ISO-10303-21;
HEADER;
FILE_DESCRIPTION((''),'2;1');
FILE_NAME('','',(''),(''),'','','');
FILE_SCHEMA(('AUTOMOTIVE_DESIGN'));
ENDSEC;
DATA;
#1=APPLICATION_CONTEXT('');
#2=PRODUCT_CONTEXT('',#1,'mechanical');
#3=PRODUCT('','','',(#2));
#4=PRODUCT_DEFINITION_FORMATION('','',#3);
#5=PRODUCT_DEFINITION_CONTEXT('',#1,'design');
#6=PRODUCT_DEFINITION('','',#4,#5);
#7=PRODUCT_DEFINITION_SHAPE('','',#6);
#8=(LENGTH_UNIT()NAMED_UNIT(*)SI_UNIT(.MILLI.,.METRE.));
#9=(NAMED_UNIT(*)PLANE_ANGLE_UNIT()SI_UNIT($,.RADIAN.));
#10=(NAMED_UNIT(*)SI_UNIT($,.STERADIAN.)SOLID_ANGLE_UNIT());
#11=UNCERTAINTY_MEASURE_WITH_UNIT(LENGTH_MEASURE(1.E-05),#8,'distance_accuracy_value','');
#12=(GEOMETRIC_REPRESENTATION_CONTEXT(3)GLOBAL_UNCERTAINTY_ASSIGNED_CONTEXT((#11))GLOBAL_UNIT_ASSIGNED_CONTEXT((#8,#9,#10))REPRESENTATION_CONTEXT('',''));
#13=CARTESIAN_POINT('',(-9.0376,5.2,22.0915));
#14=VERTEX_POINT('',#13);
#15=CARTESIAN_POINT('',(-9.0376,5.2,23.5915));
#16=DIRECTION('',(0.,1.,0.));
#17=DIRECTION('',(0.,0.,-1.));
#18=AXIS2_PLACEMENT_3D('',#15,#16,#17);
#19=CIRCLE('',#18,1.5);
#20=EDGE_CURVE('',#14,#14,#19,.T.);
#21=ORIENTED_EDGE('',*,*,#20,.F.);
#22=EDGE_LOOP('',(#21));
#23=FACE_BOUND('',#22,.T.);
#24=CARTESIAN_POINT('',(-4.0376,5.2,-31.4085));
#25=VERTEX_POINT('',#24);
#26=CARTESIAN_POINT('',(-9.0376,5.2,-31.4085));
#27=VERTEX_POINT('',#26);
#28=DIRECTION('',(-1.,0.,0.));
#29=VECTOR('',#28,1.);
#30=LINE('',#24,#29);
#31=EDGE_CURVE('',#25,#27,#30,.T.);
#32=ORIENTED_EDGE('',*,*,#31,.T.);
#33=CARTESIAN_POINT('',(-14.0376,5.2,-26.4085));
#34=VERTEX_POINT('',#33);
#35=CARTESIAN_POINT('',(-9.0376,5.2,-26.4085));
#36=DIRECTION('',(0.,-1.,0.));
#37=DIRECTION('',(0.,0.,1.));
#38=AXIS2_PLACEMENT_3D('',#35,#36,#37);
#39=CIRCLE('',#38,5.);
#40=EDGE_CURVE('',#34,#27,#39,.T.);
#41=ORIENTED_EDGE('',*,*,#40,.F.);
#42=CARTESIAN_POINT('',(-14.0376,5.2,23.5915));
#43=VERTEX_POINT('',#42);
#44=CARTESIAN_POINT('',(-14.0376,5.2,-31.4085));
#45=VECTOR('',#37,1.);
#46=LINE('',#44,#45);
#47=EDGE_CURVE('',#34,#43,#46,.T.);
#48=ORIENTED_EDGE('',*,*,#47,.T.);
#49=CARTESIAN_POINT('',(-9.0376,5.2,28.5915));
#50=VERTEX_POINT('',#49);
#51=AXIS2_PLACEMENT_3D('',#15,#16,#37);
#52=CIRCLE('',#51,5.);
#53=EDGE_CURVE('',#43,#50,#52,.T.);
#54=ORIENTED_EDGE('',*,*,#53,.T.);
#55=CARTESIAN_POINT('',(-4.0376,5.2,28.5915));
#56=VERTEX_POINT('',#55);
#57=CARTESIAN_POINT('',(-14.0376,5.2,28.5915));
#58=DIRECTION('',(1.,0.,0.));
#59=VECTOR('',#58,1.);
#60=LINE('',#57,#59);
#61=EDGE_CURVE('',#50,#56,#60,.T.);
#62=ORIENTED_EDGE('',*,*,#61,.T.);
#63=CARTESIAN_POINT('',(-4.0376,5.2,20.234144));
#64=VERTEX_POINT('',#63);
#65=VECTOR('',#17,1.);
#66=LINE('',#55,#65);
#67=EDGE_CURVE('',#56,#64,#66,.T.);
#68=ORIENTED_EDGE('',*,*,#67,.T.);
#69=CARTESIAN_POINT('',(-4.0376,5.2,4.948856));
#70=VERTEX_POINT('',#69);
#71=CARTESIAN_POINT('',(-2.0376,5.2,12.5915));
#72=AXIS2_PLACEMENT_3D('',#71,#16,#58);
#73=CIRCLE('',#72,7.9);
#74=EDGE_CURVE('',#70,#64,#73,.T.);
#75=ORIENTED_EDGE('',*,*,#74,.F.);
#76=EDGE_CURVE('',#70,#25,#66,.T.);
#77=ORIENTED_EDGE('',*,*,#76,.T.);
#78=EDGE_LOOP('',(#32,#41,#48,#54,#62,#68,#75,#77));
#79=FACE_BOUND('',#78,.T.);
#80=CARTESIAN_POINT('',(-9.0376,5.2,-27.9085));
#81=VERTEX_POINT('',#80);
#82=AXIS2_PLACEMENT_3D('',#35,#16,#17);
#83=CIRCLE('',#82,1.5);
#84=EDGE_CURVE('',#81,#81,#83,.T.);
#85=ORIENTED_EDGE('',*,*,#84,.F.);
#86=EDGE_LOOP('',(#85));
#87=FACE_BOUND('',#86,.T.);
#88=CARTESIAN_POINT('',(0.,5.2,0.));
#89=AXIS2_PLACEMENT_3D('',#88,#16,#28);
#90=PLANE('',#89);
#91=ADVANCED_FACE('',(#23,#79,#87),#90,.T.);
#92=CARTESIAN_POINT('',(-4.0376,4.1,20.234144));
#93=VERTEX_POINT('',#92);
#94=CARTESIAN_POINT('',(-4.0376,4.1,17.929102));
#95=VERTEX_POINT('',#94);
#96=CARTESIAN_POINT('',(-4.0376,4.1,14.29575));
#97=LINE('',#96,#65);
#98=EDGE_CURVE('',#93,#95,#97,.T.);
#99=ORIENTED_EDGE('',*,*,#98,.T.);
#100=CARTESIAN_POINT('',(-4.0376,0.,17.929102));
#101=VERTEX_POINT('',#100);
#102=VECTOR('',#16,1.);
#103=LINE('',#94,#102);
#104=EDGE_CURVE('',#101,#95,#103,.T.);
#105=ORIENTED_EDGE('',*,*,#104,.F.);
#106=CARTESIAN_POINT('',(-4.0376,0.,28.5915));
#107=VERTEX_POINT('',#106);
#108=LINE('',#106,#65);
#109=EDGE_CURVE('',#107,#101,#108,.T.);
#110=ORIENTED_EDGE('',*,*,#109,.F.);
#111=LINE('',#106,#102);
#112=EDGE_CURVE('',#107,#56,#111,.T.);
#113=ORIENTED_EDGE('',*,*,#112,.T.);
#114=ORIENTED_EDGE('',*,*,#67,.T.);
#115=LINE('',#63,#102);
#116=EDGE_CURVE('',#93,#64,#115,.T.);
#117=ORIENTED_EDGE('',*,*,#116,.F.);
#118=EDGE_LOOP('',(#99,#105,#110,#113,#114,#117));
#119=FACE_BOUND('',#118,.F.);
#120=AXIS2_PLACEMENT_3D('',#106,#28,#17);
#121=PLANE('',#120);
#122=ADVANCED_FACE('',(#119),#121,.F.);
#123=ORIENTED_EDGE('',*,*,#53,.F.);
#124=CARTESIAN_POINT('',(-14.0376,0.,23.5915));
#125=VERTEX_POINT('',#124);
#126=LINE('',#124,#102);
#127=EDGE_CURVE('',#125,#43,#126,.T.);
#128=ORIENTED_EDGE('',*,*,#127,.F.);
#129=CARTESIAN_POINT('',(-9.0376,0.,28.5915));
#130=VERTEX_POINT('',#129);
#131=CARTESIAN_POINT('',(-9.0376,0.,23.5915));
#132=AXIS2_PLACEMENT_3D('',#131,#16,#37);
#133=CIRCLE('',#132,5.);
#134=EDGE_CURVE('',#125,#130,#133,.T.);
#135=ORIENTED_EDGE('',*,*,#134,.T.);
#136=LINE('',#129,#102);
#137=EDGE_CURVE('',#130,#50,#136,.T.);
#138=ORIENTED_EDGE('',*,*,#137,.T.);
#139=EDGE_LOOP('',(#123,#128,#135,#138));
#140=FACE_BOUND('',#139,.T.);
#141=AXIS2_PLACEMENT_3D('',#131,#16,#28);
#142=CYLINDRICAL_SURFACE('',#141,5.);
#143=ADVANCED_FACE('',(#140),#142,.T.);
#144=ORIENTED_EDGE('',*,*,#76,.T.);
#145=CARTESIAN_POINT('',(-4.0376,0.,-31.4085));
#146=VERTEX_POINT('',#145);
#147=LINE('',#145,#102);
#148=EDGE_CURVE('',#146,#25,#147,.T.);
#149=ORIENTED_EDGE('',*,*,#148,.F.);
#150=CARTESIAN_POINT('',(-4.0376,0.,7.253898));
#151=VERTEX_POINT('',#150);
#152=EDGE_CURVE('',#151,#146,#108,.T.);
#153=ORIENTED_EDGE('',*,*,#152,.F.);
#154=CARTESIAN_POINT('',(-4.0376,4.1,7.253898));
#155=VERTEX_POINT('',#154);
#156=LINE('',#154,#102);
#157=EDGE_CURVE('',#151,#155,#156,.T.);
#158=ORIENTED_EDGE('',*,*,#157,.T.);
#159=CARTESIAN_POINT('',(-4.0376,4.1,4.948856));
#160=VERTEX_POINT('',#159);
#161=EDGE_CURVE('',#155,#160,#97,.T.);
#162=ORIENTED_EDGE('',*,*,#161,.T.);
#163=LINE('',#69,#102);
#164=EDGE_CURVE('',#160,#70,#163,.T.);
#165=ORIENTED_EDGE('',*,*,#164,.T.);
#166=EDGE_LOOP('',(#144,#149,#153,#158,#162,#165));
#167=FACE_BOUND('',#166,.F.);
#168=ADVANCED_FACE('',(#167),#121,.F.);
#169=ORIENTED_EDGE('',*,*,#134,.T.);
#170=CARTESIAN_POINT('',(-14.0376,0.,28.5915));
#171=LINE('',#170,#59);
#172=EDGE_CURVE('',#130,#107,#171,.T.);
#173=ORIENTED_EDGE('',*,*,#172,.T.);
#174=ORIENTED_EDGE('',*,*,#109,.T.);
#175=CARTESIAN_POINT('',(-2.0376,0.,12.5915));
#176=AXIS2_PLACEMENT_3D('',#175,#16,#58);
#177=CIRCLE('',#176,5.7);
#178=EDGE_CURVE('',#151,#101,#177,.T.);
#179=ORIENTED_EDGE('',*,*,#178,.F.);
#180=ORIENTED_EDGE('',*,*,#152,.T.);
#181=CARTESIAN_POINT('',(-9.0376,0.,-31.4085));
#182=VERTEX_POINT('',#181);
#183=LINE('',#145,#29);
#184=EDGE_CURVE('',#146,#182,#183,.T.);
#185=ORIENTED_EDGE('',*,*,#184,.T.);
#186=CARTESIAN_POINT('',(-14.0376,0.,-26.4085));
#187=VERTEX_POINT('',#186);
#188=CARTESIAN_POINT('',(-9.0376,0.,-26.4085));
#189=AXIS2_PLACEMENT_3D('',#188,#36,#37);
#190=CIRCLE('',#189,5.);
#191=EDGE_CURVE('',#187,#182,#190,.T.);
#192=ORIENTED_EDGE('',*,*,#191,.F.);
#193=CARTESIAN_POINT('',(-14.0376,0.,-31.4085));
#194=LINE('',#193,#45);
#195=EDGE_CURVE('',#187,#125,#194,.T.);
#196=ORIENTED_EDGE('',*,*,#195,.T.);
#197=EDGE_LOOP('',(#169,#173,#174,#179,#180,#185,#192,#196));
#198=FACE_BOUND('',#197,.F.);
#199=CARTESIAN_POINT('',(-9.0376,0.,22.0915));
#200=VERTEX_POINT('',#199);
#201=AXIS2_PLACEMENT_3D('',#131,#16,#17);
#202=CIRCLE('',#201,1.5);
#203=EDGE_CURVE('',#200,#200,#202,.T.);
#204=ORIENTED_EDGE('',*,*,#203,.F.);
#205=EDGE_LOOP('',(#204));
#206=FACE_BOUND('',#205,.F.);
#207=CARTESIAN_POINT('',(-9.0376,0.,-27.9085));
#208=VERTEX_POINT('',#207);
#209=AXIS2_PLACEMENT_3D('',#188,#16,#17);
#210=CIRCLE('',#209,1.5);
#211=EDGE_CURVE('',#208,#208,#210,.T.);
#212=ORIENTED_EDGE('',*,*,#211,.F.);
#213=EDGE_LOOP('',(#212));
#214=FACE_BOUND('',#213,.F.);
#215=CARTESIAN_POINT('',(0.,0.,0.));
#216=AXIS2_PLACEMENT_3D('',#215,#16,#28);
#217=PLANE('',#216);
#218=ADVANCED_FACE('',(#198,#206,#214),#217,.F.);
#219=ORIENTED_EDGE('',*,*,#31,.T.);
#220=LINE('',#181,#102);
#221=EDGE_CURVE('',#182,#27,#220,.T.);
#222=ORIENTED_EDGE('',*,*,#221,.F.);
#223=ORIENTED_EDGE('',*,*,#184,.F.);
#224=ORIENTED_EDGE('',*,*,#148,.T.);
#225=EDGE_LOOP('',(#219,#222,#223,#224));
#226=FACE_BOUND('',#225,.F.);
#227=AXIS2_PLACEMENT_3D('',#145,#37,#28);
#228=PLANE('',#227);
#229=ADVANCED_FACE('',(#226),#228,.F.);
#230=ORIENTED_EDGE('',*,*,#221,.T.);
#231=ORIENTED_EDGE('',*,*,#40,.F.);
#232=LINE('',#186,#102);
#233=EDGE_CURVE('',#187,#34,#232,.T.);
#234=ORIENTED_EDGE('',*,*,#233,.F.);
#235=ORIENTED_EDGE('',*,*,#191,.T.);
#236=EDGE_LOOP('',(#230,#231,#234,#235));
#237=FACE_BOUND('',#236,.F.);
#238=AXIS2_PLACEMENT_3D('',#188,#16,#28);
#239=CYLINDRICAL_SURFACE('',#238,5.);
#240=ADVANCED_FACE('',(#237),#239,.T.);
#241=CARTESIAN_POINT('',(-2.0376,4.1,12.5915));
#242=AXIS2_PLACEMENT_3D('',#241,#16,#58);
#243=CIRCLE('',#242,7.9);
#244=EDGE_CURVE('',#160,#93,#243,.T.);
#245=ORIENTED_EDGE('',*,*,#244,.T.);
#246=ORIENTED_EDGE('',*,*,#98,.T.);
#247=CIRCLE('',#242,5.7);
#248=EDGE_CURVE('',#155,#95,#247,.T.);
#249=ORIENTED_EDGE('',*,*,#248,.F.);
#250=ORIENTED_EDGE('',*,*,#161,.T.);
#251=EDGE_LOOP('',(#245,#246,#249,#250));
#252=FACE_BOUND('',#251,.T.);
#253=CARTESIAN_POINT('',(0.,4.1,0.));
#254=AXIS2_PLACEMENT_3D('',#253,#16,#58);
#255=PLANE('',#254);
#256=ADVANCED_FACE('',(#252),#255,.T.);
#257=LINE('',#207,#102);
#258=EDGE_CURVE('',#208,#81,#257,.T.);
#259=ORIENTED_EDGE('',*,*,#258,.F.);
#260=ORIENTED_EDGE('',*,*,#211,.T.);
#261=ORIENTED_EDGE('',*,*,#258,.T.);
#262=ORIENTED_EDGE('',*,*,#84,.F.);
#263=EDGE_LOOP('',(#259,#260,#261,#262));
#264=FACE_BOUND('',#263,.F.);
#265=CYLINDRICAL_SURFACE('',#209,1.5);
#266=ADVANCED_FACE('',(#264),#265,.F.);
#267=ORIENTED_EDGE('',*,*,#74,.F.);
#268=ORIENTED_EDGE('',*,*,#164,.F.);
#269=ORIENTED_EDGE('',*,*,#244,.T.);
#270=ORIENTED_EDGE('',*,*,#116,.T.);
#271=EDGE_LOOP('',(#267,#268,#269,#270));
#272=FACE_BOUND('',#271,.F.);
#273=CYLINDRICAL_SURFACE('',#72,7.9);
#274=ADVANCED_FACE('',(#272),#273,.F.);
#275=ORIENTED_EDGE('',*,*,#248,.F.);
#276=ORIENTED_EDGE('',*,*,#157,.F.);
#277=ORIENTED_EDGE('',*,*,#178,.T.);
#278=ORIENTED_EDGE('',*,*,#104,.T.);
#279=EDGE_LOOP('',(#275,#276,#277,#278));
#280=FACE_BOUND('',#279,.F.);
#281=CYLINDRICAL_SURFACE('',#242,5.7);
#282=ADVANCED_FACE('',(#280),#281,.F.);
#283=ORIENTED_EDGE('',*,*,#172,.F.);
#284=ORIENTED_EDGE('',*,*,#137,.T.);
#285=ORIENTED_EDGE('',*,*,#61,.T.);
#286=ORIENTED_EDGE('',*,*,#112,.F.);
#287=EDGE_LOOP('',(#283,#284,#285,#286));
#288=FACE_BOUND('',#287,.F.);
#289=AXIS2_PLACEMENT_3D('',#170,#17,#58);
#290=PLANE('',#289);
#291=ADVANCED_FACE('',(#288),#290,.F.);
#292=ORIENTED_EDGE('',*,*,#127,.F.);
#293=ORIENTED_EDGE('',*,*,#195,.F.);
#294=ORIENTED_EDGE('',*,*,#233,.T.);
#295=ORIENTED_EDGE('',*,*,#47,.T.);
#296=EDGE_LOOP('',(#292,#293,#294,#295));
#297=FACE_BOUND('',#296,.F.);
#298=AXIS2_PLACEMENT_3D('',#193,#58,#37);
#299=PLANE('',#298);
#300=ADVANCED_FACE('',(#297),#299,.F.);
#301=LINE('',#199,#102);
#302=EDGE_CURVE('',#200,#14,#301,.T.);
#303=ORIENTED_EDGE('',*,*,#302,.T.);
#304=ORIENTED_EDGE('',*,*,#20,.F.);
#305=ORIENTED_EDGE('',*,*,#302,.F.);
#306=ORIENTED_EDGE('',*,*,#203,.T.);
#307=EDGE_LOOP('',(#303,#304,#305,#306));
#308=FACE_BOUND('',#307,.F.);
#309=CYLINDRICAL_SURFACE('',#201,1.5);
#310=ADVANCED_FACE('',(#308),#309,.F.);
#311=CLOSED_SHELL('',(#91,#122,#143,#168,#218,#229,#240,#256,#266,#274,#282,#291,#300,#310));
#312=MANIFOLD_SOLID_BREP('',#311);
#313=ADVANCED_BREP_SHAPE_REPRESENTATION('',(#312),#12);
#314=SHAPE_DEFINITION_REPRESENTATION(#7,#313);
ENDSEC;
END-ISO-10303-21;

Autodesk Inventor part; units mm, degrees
ref_plane "YZ Plane" through (0, 0, 0) normal (1, 0, 0) x (0, 1, 0)
ref_plane "XZ Plane" through (0, 0, 0) normal (0, 1, 0) x (-1, 0, 0)
ref_plane "XY Plane" through (0, 0, 0) normal (0, 0, 1) x (1, 0, 0)
sketch "Sketch1" plane through (0, 0, 0) normal (0, 1, 0) x (-1, 0, 0)
  line L0 (14.0376, 28.5915) -> (4.0376, 28.5915)
  line L1 (4.0376, 28.5915) -> (4.0376, -31.4085)
  line L2 (4.0376, -31.4085) -> (14.0376, -31.4085)
  line L3 (14.0376, -31.4085) -> (14.0376, 28.5915)
  point P0 (0, 0)
  dimension "d0" = 60
  dimension "d1" = 10
extrude "Extrusion1" add sketch "Sketch1" along normal blind 5.2
sketch "Sketch2" plane through (0, 0, 0) normal (0, -1, 0) x (1, 0, 0)
  arc A0 (-14.0376, -26.4085) -> (-9.0376, -31.4085) centre (-9.0376, -26.4085) ccw projected
  arc A1 (-9.0376, 28.5915) -> (-14.0376, 23.5915) centre (-9.0376, 23.5915) ccw projected
  circle A2 centre (-9.0376, -26.4085) radius 1.5 projected
  circle A3 centre (-9.0376, 23.5915) radius 1.5 projected
  point P0 (0, 0)
fillet "Fillet1" radius 5 2 edges at (-14.0376, 2.6, -31.4085) (-14.0376, 2.6, 28.5915)
hole "Hole1" at (-9.0376, 0, -26.4085) at (-9.0376, 0, 23.5915) direction (0, 1, 0) diameter 3 end through all
sketch "Sketch3" plane through (0, 5.2, 0) normal (0, 1, 0) x (1, 0, 0)
  circle A0 centre (-2.0376, -12.5915) radius 7.9 projected
  point P0 (0, 0)
extrude "Extrusion2" cut sketch "Sketch3" against normal blind 1.1
sketch "Sketch4" plane through (0, 4.1, 0) normal (0, 1, 0) x (1, 0, 0)
  circle A0 centre (-2.0376, -12.5915) radius 4.5 projected
  circle A1 centre (24.4624, -12.0915) radius 6 projected
  circle A2 centre (24.4624, 14.9085) radius 6 projected
  circle A3 centre (-2.0376, 15.4085) radius 4.5 projected
  circle A4 centre (30.9624, -22.5915) radius 3 projected
  circle A5 centre (-9.0376, 26.4085) radius 3 projected
  circle A6 centre (30.9624, 25.4085) radius 3 projected
  circle A7 centre (-9.0376, -23.5915) radius 3 projected
  arc A8 (4.9041, -26.2279) -> (6.8708, -28.5915) centre (6.8708, -26.5915) ccw projected
  line L0 (6.8708, -28.5915) -> (30.9624, -28.5915) projected
  arc A9 (30.9624, -28.5915) -> (35.9624, -23.5915) centre (30.9624, -23.5915) ccw projected
  line L1 (35.9624, -23.5915) -> (35.9624, 1.4085) projected
  line L2 (35.9624, 1.4085) -> (35.9624, 26.4085) projected
  arc A10 (35.9624, 26.4085) -> (30.9624, 31.4085) centre (30.9624, 26.4085) ccw projected
  line L3 (30.9624, 31.4085) -> (6.8708, 31.4085) projected
  arc A11 (6.8708, 31.4085) -> (4.9041, 29.0448) centre (6.8708, 29.4085) ccw projected
  arc A12 (-1.9792, 29.0448) -> (4.9041, 29.0448) centre (1.4624, 28.4085) ccw projected
  arc A13 (-1.9792, 29.0448) -> (-3.9459, 31.4085) centre (-3.9459, 29.4085) ccw projected
  line L4 (-3.9459, 31.4085) -> (-9.0376, 31.4085) projected
  arc A14 (-9.0376, 31.4085) -> (-14.0376, 26.4085) centre (-9.0376, 26.4085) ccw projected
  line L5 (-14.0376, 26.4085) -> (-14.0376, 1.4085) projected
  line L6 (-14.0376, 1.4085) -> (-14.0376, -23.5915) projected
  arc A15 (-14.0376, -23.5915) -> (-9.0376, -28.5915) centre (-9.0376, -23.5915) ccw projected
  line L7 (-9.0376, -28.5915) -> (-3.9459, -28.5915) projected
  arc A16 (-3.9459, -28.5915) -> (-1.9792, -26.2279) centre (-3.9459, -26.5915) ccw projected
  arc A17 (4.9041, -26.2279) -> (-1.9792, -26.2279) centre (1.4624, -25.5915) ccw projected
  circle A18 centre (-2.0376, -12.5915) radius 5.5 projected
  circle A19 centre (-2.0376, -12.5915) radius 5.7
  point P0 (0, 0)
  dimension "d14" = 0.2
extrude "Extrusion3" cut sketch "Sketch4" against normal through all contours A0 | A18 | A19
properties part number "Carro XY_trava_A" material "ABS Plastic"
